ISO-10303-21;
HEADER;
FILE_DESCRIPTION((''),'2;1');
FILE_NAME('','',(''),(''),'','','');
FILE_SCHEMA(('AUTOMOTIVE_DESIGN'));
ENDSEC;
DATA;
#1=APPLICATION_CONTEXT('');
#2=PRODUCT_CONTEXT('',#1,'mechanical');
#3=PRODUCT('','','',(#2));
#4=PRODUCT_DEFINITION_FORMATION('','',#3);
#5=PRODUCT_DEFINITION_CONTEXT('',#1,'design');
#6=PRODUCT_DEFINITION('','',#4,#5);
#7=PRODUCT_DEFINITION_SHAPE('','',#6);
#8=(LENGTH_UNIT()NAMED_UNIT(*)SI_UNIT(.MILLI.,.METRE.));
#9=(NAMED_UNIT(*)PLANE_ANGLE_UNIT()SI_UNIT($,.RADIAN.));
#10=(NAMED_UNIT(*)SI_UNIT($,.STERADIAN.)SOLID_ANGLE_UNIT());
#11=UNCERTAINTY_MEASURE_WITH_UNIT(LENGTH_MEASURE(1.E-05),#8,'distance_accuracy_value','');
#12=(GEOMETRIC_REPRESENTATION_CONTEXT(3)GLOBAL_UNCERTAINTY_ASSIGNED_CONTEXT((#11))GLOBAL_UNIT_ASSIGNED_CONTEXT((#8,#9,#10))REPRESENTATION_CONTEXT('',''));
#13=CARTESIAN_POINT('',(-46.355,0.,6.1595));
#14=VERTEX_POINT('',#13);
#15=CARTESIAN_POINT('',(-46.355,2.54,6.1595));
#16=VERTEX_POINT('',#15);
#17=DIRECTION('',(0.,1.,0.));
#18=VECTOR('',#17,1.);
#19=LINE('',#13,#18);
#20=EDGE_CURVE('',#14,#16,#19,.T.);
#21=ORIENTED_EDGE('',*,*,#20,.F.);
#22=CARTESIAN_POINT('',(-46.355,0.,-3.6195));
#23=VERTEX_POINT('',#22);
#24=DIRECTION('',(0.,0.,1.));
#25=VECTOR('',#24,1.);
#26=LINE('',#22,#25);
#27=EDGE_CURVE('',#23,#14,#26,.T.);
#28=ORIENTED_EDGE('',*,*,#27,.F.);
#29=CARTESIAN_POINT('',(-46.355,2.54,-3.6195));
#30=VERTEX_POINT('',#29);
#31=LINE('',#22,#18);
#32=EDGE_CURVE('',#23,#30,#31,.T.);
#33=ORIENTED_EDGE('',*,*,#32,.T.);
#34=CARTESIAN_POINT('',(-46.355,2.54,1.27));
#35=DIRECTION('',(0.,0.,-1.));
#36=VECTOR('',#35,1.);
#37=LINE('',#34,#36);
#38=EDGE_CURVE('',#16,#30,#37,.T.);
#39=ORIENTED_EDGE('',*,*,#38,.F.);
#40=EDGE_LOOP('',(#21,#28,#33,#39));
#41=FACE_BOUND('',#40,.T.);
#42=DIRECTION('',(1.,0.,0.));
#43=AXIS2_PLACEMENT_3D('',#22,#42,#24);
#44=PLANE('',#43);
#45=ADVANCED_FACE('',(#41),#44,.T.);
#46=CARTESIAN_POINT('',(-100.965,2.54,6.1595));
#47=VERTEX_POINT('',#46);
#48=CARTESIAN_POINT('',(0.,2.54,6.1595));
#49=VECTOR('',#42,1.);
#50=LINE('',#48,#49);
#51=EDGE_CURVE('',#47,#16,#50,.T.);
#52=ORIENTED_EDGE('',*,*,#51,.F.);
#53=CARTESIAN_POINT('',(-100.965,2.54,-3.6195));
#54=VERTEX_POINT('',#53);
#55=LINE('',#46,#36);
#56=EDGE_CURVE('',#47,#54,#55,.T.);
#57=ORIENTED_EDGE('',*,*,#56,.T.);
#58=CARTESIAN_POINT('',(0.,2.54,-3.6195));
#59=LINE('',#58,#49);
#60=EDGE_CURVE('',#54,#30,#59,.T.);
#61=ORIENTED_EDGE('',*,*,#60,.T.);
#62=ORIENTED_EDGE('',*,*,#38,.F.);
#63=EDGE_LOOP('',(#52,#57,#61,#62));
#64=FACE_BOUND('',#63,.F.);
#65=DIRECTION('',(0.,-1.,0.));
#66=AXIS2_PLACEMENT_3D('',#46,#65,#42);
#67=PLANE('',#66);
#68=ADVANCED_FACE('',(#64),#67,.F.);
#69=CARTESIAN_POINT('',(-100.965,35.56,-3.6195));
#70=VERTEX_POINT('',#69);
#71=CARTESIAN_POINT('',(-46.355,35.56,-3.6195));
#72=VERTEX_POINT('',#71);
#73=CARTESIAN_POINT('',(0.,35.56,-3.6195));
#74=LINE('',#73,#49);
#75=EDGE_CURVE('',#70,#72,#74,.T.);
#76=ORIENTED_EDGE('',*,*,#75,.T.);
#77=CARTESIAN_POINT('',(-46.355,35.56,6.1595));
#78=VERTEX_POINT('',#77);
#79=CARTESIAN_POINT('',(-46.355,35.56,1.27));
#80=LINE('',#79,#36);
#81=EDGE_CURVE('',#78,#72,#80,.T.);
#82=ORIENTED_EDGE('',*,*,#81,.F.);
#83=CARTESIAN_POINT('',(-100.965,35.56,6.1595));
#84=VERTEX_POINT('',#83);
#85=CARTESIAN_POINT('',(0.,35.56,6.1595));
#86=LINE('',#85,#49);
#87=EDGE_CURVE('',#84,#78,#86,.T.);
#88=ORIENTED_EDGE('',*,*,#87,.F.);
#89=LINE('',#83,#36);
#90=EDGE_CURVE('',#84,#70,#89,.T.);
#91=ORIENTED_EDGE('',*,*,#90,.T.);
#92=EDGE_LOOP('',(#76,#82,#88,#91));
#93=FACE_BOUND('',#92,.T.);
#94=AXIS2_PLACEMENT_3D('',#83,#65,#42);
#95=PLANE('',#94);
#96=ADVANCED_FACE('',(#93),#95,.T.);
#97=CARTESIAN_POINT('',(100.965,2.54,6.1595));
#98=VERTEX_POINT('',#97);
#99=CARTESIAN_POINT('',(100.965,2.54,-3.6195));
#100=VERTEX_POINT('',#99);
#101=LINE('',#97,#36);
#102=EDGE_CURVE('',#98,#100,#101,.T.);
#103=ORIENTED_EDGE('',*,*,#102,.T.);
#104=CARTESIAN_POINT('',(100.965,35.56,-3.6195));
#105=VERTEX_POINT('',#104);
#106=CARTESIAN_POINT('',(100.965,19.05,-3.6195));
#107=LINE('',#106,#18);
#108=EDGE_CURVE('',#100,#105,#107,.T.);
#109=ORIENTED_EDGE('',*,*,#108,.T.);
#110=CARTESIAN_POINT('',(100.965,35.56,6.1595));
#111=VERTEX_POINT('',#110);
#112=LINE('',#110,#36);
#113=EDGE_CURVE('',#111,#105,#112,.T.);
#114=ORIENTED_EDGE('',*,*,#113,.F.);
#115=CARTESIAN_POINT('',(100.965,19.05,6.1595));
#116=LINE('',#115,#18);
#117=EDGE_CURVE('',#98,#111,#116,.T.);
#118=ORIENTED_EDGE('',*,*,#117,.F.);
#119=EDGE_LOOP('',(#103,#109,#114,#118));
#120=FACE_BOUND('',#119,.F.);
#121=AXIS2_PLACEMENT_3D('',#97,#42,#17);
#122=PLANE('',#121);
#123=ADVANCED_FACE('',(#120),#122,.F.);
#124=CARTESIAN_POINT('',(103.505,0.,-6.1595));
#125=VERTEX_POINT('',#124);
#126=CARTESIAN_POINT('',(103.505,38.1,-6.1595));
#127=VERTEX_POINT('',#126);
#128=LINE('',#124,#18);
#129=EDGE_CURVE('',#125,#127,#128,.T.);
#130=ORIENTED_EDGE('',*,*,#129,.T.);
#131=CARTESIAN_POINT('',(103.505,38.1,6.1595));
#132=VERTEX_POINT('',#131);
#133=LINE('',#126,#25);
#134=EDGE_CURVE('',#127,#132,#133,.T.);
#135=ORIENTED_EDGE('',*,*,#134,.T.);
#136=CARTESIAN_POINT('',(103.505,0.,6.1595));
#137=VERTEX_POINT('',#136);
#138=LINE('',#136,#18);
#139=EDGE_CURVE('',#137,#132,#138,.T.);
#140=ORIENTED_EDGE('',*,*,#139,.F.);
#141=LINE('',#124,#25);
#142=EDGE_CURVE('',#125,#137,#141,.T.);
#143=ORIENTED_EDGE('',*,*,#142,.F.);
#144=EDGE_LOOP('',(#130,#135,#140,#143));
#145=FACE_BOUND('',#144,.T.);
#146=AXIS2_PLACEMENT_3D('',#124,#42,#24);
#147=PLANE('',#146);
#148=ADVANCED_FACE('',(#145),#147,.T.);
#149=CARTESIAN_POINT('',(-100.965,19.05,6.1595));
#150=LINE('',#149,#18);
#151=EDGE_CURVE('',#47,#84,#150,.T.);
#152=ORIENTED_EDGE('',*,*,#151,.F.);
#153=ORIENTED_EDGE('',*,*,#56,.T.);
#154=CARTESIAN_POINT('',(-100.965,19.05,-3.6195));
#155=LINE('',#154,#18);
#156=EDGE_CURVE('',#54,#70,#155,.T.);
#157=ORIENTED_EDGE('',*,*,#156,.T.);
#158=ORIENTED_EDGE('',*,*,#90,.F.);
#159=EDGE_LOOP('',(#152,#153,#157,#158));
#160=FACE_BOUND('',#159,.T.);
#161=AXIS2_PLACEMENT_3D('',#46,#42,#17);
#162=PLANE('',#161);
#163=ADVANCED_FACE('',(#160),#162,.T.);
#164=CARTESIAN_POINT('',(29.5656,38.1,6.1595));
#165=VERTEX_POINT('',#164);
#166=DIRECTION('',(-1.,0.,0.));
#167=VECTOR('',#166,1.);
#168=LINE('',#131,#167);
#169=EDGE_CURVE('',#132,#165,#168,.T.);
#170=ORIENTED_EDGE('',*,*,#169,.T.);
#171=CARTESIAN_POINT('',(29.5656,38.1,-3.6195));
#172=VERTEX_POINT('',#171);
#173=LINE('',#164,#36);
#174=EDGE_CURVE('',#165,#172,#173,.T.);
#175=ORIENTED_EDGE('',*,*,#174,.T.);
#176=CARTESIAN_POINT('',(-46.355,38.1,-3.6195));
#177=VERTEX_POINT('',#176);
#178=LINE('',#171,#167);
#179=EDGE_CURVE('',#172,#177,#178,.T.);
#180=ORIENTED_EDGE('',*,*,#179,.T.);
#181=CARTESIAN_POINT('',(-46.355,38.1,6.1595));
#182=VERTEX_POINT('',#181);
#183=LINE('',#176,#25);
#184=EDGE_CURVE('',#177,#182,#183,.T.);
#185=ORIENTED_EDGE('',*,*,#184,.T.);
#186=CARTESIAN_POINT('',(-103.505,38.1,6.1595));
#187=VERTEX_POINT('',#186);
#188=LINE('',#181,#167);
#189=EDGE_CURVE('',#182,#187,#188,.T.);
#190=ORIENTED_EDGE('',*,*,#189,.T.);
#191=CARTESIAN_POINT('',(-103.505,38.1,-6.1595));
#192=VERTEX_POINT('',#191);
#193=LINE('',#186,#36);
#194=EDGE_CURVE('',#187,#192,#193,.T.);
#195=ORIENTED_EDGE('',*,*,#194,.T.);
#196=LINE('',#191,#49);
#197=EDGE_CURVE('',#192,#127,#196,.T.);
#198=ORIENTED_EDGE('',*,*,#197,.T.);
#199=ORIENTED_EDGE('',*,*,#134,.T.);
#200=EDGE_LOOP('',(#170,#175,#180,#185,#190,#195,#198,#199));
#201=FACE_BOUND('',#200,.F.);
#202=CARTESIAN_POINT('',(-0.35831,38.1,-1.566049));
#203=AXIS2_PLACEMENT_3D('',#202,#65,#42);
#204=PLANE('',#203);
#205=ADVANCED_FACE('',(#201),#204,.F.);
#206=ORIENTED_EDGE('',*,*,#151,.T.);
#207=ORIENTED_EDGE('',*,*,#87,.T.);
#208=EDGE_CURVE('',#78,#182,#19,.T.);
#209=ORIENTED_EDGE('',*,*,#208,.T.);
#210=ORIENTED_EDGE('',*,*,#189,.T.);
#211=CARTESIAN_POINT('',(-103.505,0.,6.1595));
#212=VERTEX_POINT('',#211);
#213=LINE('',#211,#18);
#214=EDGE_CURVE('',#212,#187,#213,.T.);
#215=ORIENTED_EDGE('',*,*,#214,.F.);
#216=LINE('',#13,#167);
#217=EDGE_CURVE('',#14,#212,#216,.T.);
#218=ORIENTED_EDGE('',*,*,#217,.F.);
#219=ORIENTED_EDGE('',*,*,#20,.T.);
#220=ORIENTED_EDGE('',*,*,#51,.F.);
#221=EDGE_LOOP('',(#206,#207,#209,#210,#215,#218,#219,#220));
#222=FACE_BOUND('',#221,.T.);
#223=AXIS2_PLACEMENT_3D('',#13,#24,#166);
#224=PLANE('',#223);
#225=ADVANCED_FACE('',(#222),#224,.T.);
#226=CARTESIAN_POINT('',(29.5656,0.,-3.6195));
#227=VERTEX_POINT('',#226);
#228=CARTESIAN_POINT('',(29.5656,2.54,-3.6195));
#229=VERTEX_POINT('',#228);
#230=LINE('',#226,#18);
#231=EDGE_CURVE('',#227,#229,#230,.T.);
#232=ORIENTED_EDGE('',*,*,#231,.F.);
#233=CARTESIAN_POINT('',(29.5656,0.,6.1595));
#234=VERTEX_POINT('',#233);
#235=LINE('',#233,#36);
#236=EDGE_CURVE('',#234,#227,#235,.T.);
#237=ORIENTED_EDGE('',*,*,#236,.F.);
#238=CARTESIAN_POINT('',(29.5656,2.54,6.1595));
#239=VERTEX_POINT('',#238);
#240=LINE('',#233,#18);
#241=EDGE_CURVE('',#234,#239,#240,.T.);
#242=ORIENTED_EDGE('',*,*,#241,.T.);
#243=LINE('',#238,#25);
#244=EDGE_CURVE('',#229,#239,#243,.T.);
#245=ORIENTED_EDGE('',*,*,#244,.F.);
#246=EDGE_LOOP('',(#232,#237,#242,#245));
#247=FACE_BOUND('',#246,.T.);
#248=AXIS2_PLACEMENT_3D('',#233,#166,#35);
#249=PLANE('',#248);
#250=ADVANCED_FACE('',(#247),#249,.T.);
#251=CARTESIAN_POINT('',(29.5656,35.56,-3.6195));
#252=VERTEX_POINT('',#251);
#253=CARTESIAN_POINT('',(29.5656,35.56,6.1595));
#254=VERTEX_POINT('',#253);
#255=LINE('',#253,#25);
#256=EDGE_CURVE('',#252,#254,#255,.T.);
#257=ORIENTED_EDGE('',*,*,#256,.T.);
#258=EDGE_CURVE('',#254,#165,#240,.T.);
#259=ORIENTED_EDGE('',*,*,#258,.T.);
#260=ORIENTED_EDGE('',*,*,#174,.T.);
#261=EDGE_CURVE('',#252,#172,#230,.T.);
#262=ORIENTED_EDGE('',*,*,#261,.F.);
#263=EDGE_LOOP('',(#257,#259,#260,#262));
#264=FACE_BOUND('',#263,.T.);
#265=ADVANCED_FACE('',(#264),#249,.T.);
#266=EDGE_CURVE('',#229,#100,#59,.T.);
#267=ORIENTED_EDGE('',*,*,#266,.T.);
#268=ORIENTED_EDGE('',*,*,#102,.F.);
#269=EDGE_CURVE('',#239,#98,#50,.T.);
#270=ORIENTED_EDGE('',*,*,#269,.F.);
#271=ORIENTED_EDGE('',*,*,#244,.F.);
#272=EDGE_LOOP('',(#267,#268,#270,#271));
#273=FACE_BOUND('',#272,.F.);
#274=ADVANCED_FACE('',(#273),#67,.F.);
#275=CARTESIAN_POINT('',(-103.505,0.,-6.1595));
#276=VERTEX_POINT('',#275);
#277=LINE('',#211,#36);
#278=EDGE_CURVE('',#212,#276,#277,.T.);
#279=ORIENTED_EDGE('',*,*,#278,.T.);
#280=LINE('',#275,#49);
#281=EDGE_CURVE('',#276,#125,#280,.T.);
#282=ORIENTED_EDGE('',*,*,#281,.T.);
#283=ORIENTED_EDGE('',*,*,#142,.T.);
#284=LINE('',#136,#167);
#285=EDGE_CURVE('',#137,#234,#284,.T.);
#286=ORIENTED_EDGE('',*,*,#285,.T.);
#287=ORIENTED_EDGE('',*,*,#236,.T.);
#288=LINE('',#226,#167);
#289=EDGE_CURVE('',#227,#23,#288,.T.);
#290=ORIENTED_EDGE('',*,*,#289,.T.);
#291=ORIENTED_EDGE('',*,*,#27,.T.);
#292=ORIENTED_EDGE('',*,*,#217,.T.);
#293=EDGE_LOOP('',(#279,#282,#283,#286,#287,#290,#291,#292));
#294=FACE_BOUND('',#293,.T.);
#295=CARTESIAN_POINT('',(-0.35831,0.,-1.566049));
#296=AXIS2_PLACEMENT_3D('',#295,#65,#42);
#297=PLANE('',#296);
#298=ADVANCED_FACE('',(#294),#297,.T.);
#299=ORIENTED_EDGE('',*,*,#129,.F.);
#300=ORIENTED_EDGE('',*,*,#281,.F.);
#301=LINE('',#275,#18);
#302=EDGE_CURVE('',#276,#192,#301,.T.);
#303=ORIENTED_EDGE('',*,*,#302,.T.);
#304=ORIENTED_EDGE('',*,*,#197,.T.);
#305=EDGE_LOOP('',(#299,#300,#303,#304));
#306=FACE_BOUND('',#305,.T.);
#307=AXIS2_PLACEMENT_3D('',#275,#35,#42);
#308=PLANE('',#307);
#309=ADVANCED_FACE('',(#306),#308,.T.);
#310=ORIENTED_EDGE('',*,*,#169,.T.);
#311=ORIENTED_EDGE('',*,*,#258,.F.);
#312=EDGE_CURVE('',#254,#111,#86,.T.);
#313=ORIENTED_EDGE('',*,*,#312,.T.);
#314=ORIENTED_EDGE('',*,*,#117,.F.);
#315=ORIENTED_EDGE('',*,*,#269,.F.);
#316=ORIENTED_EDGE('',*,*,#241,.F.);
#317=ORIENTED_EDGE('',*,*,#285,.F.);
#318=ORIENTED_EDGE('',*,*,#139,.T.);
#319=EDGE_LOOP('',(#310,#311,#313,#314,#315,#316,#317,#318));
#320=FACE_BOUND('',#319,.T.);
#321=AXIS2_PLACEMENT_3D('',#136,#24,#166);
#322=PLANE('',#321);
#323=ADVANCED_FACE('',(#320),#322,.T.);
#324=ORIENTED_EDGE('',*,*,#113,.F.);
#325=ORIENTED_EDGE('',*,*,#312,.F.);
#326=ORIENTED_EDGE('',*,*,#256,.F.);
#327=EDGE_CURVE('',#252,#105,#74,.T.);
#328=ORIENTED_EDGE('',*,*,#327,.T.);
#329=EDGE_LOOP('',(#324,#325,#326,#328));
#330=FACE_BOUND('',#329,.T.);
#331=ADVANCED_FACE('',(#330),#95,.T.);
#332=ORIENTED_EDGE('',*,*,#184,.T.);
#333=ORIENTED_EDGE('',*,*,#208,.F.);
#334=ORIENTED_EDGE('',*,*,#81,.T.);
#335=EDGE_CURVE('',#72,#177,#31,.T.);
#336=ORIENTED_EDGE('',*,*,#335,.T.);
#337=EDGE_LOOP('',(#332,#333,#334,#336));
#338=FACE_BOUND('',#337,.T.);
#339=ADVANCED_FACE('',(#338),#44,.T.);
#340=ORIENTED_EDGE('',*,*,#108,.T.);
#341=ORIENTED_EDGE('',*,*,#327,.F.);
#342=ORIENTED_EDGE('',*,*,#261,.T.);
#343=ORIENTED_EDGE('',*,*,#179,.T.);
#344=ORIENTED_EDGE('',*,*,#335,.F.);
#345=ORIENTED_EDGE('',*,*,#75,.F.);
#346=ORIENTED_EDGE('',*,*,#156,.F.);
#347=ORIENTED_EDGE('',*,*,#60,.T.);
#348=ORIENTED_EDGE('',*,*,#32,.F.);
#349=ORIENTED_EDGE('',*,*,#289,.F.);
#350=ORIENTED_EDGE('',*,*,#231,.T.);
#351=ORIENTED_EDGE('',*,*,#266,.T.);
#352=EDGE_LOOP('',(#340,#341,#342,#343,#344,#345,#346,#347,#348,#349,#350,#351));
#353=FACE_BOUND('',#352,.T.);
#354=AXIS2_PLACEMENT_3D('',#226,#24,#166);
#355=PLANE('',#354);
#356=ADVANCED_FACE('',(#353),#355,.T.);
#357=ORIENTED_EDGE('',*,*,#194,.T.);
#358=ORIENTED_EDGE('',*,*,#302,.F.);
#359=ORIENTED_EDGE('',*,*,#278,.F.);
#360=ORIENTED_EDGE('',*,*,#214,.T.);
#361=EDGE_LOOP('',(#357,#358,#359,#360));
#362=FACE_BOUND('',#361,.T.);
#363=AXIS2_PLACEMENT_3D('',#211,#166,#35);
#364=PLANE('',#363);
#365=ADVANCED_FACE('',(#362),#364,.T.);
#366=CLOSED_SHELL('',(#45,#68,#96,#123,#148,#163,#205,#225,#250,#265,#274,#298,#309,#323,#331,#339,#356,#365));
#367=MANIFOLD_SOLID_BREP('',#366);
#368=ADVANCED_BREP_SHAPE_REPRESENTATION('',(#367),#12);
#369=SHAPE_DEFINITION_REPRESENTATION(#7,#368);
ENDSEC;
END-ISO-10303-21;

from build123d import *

# Parameters (mm, degrees)
F1_DEPTH = 38.1
F2_W     = 201.93
F2_H     = 33.02
F3_DEPTH = 9.779


with BuildPart() as f1:
    # F0 (on Front) → F1 (new body)
    with BuildSketch(Plane.XZ):
        Polygon((-103.505, -6.1595), (103.505, -6.1595), (103.505, 6.1595), (29.5656, 6.1595), (29.5656, -3.6195), (-46.355, -3.6195), (-46.355, 6.1595), (-103.505, 6.1595), align=None)
    extrude(amount=-F1_DEPTH)

    # F2 (on face) → F3 (cut)
    with BuildSketch(Plane.XY.offset(6.1595)):
        with Locations((0, 19.05)):
            Rectangle(F2_W, F2_H)
    extrude(amount=-F3_DEPTH, mode=Mode.SUBTRACT)


solid = f1.part
